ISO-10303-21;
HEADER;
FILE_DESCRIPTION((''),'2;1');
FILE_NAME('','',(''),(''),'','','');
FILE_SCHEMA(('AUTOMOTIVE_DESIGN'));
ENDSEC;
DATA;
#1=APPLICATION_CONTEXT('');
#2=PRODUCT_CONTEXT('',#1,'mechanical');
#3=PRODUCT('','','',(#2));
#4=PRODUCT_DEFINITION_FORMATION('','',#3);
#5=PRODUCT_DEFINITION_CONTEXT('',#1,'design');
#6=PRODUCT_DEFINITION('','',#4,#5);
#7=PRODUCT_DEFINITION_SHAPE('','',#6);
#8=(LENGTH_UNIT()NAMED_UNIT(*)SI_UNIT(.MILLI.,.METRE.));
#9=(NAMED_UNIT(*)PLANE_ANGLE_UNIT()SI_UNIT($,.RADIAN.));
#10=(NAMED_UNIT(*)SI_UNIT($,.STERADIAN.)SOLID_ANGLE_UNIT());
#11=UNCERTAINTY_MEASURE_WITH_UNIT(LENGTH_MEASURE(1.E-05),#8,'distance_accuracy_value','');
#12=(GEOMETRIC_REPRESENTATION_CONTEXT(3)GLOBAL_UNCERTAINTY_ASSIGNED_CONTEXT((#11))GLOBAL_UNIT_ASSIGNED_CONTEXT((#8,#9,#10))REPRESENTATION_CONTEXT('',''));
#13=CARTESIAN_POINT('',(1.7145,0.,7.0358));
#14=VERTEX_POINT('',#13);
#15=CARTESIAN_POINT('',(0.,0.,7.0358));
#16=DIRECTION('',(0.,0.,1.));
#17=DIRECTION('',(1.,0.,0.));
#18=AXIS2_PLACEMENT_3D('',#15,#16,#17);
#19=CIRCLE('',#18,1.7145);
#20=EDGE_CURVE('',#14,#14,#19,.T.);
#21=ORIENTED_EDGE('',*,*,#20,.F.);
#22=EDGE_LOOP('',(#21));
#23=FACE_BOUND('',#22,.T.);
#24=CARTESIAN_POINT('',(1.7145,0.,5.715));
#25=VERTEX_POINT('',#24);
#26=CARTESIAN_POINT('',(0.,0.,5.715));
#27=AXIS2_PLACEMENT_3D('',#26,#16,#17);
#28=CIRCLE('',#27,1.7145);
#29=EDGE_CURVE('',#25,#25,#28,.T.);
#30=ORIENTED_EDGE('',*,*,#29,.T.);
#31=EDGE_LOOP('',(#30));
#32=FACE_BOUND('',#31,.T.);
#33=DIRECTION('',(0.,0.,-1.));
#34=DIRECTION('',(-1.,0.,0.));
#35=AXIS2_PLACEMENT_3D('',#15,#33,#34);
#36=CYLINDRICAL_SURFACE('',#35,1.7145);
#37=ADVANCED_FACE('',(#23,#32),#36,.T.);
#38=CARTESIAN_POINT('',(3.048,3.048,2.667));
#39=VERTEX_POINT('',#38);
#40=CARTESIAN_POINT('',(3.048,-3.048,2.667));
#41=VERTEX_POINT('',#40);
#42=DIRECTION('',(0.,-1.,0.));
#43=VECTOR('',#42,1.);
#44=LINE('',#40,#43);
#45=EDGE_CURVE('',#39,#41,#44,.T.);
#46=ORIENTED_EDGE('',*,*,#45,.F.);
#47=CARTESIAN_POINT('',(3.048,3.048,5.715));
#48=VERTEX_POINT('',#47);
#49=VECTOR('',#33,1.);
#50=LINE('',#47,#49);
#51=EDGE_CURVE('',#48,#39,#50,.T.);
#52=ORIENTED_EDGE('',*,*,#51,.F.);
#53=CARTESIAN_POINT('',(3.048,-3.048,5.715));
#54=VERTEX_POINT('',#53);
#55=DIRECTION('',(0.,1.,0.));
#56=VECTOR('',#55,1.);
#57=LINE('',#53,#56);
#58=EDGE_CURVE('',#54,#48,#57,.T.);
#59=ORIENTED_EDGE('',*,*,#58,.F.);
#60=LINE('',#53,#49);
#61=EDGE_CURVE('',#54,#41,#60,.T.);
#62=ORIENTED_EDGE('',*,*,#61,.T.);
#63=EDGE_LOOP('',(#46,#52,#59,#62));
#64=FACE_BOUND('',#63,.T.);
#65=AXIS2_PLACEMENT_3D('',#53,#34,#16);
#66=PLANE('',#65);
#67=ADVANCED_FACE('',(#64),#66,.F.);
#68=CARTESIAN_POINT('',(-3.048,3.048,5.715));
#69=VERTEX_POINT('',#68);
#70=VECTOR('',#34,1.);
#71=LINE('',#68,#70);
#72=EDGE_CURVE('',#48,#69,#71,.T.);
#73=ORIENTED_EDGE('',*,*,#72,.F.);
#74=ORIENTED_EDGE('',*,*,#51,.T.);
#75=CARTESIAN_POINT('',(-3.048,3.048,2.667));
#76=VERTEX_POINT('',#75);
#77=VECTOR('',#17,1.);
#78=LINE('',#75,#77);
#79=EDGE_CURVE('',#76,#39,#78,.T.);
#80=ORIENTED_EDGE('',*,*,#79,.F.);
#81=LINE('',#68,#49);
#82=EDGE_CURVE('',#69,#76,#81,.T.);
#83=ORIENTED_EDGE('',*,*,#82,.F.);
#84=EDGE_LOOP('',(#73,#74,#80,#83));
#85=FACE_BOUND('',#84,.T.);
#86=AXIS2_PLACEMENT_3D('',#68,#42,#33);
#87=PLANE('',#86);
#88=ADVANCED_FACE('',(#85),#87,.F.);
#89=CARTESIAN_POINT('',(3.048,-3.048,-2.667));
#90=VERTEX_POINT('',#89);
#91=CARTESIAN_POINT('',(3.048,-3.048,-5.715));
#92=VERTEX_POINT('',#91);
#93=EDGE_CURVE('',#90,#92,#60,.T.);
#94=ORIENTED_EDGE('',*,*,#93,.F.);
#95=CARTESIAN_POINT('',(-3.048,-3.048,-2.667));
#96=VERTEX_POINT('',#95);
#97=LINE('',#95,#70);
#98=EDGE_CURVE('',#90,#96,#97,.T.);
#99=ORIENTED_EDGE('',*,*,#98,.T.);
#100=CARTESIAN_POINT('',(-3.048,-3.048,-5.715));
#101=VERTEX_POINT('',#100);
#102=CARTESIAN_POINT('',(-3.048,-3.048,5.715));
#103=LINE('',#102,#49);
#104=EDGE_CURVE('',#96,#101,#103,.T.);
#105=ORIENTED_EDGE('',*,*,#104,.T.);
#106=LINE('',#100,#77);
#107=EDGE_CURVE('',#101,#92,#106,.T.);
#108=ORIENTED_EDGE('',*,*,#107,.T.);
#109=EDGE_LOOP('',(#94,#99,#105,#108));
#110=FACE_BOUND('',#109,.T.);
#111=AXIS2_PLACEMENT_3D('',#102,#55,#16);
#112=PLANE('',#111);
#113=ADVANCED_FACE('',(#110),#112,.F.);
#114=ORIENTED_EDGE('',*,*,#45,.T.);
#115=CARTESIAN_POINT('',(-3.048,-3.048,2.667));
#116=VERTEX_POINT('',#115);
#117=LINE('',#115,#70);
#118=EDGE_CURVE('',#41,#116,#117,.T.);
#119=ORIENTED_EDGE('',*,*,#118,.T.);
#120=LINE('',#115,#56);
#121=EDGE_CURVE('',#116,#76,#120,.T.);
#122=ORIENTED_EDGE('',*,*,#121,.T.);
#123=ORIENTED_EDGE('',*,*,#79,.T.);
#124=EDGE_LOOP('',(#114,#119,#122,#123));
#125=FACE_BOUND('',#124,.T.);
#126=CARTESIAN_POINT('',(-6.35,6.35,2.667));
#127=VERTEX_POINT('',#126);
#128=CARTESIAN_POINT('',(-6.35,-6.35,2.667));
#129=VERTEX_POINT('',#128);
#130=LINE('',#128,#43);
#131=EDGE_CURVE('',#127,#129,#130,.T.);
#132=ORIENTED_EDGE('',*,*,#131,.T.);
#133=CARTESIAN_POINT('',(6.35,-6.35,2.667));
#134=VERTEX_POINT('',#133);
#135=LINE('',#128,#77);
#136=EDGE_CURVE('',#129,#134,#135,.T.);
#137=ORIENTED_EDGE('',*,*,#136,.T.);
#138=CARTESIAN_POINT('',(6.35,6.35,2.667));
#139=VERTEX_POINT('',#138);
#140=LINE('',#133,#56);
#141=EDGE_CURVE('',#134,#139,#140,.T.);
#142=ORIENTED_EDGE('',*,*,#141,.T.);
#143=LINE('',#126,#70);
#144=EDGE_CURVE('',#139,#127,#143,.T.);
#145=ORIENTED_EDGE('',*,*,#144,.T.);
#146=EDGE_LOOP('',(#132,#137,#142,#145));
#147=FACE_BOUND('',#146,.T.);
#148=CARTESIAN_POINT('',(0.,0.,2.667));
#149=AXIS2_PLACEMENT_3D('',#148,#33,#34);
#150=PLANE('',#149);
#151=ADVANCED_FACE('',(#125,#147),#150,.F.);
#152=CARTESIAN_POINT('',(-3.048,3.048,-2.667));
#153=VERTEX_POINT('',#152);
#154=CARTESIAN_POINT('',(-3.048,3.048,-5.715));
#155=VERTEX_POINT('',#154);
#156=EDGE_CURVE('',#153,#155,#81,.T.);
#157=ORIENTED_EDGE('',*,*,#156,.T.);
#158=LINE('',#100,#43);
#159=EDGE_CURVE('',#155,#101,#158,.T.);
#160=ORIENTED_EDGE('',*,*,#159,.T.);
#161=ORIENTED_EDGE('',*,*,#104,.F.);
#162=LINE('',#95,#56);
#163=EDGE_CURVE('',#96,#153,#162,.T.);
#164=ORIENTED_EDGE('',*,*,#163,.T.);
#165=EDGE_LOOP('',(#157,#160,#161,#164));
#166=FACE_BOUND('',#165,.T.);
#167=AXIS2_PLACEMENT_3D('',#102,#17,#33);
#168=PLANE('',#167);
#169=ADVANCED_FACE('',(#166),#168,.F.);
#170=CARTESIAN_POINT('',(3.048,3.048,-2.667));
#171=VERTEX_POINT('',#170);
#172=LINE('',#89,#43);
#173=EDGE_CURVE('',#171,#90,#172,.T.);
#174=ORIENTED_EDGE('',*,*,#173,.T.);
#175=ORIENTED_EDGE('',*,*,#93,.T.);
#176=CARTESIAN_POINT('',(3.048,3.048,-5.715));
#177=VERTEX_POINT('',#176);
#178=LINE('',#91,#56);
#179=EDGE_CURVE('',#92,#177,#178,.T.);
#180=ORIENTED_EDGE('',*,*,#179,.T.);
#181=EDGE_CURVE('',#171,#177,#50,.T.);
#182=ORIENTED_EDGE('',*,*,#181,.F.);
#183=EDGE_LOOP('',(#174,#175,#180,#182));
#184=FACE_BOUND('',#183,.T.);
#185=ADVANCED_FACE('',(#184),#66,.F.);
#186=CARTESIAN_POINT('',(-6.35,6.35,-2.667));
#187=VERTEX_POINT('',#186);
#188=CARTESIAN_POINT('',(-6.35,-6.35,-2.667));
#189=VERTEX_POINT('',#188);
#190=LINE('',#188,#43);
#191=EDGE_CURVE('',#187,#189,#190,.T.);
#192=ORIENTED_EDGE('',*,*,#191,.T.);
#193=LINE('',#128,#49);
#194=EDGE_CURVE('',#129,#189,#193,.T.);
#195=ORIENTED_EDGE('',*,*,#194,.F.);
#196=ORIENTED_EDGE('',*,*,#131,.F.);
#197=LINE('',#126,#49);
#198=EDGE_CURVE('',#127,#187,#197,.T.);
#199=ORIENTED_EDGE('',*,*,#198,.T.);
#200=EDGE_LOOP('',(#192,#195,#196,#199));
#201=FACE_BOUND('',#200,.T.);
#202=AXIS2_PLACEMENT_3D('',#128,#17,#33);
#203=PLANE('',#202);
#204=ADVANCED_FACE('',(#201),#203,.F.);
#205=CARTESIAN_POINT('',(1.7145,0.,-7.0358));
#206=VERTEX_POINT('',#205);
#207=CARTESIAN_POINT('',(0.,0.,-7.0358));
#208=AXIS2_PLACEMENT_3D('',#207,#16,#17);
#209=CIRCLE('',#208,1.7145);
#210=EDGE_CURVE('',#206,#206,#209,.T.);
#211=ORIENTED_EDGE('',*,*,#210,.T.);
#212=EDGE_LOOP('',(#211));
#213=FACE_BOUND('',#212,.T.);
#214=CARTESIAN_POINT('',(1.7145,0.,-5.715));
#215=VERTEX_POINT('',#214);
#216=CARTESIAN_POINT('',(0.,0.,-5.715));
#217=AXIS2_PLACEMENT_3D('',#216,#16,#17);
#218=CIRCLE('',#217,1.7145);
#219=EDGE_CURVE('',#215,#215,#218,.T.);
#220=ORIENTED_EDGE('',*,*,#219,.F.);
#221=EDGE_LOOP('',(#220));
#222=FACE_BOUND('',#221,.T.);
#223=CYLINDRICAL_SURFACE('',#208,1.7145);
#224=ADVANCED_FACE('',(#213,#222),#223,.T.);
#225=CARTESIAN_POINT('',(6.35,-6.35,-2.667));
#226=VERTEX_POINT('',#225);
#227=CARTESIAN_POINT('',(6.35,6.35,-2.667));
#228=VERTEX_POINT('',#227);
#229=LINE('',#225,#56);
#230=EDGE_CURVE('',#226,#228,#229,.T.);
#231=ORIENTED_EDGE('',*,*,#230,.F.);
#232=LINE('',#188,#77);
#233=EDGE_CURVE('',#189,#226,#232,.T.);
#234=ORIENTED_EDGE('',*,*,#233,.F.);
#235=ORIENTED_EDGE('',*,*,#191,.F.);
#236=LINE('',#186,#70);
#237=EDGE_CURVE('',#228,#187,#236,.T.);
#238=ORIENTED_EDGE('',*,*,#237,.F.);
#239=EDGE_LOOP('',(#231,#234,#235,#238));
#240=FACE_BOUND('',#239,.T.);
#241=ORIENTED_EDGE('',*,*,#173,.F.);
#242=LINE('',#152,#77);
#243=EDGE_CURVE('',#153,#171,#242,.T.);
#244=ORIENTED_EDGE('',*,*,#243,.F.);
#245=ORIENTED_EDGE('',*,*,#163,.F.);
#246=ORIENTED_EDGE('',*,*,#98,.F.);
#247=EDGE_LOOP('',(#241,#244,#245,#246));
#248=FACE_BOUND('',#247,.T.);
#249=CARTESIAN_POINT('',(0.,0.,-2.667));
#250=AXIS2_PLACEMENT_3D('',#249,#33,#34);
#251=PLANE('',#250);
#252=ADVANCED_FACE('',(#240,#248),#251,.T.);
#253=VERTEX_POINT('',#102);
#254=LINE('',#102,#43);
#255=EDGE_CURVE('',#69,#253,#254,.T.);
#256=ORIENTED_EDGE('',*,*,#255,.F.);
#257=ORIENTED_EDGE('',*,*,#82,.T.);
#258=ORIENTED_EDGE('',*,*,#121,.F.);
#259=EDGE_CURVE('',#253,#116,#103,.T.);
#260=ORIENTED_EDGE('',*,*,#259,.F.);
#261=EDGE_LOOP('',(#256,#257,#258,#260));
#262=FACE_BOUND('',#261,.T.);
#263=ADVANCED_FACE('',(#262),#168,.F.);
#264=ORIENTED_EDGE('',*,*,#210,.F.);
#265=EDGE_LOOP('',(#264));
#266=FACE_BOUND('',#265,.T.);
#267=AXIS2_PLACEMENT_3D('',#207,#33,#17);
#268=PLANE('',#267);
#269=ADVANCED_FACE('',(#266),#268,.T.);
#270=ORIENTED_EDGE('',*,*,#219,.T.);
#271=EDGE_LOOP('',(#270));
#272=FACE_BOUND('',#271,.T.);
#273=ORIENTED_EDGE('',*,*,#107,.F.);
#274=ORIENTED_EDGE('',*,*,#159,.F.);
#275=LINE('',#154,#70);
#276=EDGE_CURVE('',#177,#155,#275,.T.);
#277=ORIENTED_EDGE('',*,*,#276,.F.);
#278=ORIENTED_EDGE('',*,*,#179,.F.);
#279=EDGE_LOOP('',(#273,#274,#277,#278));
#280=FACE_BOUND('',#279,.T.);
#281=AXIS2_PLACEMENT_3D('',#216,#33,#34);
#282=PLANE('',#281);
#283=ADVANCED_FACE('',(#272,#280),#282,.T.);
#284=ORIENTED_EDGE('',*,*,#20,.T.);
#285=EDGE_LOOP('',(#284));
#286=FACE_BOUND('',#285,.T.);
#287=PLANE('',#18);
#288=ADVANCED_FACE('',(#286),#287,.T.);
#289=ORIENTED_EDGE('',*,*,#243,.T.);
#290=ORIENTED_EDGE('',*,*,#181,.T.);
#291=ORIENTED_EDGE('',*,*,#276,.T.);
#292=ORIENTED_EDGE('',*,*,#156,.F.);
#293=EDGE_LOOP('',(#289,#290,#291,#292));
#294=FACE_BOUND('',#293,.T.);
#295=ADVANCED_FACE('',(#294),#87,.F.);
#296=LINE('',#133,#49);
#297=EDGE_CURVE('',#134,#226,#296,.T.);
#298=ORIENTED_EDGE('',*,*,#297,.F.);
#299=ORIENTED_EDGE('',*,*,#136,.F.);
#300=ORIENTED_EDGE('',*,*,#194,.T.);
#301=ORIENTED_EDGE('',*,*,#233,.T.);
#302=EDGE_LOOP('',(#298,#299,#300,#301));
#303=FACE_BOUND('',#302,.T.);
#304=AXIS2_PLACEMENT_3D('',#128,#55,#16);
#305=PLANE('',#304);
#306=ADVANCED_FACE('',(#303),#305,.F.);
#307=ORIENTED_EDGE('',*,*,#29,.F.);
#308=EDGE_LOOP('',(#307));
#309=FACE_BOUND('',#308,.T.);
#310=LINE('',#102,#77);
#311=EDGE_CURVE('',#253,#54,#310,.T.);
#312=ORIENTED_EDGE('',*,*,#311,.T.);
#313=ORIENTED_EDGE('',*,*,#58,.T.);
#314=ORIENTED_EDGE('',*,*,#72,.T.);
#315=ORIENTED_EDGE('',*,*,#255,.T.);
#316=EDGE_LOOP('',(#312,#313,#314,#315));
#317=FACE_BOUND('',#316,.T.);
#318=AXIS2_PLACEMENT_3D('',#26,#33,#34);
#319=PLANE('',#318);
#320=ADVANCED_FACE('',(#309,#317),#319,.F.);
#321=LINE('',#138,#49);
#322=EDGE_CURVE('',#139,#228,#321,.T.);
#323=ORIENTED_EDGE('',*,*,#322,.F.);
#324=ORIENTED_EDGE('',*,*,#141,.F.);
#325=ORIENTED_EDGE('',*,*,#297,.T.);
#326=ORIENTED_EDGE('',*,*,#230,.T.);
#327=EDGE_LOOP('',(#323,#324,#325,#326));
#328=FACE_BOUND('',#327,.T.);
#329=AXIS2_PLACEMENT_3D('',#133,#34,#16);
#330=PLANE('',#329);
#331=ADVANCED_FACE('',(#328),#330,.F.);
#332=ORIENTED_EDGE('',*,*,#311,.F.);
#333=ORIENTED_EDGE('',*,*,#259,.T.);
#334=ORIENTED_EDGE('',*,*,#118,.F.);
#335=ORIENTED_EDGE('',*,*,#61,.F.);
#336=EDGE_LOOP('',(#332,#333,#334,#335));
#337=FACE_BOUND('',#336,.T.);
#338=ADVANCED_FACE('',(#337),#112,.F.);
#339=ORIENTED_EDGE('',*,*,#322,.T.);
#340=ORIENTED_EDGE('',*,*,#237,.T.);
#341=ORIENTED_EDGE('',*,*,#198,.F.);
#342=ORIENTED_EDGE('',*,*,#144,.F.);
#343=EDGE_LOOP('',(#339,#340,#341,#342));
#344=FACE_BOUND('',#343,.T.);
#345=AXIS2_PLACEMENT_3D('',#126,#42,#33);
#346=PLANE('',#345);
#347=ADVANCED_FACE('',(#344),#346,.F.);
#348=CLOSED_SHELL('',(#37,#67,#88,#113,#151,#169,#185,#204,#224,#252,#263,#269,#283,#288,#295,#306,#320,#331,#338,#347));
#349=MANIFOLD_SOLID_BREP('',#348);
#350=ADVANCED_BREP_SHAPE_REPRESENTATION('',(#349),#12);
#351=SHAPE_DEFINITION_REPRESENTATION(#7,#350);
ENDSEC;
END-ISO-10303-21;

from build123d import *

# Parameters (mm, degrees)
SKETCH3_W           = 6.096
SKETCH3_H           = 6.096
BOSS_EXTRUDE1_DEPTH = 5.715
SKETCH4_R           = 1.7145
BOSS_EXTRUDE2_DEPTH = 1.3208
SKETCH5_W           = 12.7
SKETCH5_H           = 12.7
BOSS_EXTRUDE4_DEPTH = 2.667


with BuildPart() as part:
    # Sketch3 → Boss-Extrude1 (new, symmetric)
    with BuildSketch(Plane.XY):
        Rectangle(SKETCH3_W, SKETCH3_H)
    extrude(amount=BOSS_EXTRUDE1_DEPTH, both=True)

    # Sketch4 → Boss-Extrude2 (add)
    with BuildSketch(Plane.XY.offset(5.715)):
        Circle(SKETCH4_R)
    boss_extrude2 = extrude(amount=BOSS_EXTRUDE2_DEPTH)

    # Mirror1: Boss-Extrude2 across plane
    add(boss_extrude2.mirror(Plane.XY))

    # Sketch5 → Boss-Extrude4 (add, symmetric)
    with BuildSketch(Plane.XY):
        Rectangle(SKETCH5_W, SKETCH5_H)
    extrude(amount=BOSS_EXTRUDE4_DEPTH, both=True)


solid = part.part
